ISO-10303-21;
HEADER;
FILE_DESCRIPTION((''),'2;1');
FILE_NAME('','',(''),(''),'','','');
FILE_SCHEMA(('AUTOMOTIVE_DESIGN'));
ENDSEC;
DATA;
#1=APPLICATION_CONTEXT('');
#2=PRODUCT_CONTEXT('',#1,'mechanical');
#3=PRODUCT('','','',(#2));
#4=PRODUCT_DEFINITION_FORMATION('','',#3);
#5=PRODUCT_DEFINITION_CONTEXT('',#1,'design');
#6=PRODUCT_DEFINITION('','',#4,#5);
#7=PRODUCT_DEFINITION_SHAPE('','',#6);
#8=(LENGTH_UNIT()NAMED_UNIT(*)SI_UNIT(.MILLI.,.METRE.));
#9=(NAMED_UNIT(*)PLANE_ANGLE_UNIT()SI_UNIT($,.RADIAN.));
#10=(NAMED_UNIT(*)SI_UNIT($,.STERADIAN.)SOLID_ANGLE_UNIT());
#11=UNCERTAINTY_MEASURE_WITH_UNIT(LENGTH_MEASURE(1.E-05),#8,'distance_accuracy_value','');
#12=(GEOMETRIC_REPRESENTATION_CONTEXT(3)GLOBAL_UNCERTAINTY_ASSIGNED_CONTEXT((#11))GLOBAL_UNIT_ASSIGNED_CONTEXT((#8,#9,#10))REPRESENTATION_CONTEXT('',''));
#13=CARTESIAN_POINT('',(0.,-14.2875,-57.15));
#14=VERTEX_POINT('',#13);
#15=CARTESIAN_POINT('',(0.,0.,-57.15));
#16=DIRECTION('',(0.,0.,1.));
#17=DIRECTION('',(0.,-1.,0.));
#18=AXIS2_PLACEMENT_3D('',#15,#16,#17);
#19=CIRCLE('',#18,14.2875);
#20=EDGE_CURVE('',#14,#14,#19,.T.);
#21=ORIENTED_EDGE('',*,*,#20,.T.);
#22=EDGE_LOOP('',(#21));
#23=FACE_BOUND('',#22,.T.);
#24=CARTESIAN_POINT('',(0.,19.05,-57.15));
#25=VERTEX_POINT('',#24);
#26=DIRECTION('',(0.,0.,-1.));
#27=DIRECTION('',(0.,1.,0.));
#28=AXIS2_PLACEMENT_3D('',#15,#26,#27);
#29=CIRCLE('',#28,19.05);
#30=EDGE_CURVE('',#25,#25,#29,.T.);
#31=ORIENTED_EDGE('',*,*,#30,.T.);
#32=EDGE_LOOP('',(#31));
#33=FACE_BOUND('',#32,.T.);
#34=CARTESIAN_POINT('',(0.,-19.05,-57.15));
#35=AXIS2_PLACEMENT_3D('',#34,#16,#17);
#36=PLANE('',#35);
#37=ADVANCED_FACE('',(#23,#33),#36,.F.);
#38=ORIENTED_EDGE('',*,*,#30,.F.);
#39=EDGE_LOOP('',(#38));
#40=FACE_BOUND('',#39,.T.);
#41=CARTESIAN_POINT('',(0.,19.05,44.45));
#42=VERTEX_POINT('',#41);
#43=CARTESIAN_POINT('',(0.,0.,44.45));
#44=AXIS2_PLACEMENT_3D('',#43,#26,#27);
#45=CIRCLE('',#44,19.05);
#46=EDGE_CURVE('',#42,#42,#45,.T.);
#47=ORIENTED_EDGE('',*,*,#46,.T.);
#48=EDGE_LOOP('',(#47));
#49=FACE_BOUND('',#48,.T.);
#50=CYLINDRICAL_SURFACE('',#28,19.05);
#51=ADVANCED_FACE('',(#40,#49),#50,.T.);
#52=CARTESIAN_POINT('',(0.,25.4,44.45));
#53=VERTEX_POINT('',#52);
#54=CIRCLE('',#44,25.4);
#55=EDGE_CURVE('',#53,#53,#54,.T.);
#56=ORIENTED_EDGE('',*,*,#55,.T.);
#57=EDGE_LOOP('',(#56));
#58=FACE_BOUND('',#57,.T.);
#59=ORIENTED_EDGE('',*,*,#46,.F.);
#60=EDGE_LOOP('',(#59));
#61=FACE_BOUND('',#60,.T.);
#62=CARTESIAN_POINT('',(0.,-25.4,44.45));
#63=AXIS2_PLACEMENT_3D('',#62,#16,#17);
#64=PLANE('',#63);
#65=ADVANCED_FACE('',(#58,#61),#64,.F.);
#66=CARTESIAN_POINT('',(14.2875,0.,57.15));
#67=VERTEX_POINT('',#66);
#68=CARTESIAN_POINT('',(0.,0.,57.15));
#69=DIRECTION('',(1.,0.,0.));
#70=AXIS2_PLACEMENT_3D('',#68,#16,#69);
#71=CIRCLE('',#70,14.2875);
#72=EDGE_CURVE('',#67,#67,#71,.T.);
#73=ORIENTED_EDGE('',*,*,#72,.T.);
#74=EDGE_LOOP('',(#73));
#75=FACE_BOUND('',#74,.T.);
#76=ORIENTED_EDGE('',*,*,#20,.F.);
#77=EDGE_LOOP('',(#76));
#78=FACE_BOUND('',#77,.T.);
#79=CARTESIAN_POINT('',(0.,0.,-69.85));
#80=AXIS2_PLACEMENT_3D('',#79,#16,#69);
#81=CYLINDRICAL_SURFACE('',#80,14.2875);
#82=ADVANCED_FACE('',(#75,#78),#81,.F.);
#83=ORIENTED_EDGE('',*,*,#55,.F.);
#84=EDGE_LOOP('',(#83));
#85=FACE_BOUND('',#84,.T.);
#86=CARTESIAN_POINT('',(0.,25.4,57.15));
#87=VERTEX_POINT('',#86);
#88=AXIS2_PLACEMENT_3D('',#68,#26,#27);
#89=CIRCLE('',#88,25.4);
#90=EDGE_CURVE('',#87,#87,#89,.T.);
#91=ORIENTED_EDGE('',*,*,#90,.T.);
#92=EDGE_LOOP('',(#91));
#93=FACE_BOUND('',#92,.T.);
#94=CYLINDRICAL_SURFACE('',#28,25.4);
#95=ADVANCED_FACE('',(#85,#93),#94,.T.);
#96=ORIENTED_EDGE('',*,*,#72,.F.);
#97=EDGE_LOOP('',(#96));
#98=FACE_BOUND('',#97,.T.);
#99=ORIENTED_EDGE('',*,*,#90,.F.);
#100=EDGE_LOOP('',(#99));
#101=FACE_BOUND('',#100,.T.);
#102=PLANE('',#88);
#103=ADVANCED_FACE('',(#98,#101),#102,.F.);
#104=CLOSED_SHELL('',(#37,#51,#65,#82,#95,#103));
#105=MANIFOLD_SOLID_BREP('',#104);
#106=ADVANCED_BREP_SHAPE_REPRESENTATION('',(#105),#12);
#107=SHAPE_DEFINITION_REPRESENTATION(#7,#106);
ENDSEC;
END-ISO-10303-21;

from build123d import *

# Parameters (mm, degrees)
SKETCH3_R          = 14.2875
CUT_EXTRUDE1_DEPTH = 127


with BuildPart() as part:
    # Sketch2 → Revolve1 (revolve)
    with BuildSketch(Plane(origin=(0, 0, 0), x_dir=(0, 0, -1), z_dir=(1, 0, 0)), mode=Mode.PRIVATE) as revolve1_sk:
        Polygon((57.15, 0), (-57.15, 0), (-57.15, -25.4), (-44.45, -25.4), (-44.45, -19.05), (57.15, -19.05), align=None)
    revolve(revolve1_sk.sketch.rotate(Axis((0, 0, -57.15), (0, 0, 1)), 180), axis=Axis((0, 0, -57.15), (0, 0, 1)))

    # Sketch3 → Cut-Extrude1 (cut)
    with BuildSketch(Plane.XY.offset(57.15)):
        Circle(SKETCH3_R)
    extrude(amount=-CUT_EXTRUDE1_DEPTH, mode=Mode.SUBTRACT)


solid = part.part
